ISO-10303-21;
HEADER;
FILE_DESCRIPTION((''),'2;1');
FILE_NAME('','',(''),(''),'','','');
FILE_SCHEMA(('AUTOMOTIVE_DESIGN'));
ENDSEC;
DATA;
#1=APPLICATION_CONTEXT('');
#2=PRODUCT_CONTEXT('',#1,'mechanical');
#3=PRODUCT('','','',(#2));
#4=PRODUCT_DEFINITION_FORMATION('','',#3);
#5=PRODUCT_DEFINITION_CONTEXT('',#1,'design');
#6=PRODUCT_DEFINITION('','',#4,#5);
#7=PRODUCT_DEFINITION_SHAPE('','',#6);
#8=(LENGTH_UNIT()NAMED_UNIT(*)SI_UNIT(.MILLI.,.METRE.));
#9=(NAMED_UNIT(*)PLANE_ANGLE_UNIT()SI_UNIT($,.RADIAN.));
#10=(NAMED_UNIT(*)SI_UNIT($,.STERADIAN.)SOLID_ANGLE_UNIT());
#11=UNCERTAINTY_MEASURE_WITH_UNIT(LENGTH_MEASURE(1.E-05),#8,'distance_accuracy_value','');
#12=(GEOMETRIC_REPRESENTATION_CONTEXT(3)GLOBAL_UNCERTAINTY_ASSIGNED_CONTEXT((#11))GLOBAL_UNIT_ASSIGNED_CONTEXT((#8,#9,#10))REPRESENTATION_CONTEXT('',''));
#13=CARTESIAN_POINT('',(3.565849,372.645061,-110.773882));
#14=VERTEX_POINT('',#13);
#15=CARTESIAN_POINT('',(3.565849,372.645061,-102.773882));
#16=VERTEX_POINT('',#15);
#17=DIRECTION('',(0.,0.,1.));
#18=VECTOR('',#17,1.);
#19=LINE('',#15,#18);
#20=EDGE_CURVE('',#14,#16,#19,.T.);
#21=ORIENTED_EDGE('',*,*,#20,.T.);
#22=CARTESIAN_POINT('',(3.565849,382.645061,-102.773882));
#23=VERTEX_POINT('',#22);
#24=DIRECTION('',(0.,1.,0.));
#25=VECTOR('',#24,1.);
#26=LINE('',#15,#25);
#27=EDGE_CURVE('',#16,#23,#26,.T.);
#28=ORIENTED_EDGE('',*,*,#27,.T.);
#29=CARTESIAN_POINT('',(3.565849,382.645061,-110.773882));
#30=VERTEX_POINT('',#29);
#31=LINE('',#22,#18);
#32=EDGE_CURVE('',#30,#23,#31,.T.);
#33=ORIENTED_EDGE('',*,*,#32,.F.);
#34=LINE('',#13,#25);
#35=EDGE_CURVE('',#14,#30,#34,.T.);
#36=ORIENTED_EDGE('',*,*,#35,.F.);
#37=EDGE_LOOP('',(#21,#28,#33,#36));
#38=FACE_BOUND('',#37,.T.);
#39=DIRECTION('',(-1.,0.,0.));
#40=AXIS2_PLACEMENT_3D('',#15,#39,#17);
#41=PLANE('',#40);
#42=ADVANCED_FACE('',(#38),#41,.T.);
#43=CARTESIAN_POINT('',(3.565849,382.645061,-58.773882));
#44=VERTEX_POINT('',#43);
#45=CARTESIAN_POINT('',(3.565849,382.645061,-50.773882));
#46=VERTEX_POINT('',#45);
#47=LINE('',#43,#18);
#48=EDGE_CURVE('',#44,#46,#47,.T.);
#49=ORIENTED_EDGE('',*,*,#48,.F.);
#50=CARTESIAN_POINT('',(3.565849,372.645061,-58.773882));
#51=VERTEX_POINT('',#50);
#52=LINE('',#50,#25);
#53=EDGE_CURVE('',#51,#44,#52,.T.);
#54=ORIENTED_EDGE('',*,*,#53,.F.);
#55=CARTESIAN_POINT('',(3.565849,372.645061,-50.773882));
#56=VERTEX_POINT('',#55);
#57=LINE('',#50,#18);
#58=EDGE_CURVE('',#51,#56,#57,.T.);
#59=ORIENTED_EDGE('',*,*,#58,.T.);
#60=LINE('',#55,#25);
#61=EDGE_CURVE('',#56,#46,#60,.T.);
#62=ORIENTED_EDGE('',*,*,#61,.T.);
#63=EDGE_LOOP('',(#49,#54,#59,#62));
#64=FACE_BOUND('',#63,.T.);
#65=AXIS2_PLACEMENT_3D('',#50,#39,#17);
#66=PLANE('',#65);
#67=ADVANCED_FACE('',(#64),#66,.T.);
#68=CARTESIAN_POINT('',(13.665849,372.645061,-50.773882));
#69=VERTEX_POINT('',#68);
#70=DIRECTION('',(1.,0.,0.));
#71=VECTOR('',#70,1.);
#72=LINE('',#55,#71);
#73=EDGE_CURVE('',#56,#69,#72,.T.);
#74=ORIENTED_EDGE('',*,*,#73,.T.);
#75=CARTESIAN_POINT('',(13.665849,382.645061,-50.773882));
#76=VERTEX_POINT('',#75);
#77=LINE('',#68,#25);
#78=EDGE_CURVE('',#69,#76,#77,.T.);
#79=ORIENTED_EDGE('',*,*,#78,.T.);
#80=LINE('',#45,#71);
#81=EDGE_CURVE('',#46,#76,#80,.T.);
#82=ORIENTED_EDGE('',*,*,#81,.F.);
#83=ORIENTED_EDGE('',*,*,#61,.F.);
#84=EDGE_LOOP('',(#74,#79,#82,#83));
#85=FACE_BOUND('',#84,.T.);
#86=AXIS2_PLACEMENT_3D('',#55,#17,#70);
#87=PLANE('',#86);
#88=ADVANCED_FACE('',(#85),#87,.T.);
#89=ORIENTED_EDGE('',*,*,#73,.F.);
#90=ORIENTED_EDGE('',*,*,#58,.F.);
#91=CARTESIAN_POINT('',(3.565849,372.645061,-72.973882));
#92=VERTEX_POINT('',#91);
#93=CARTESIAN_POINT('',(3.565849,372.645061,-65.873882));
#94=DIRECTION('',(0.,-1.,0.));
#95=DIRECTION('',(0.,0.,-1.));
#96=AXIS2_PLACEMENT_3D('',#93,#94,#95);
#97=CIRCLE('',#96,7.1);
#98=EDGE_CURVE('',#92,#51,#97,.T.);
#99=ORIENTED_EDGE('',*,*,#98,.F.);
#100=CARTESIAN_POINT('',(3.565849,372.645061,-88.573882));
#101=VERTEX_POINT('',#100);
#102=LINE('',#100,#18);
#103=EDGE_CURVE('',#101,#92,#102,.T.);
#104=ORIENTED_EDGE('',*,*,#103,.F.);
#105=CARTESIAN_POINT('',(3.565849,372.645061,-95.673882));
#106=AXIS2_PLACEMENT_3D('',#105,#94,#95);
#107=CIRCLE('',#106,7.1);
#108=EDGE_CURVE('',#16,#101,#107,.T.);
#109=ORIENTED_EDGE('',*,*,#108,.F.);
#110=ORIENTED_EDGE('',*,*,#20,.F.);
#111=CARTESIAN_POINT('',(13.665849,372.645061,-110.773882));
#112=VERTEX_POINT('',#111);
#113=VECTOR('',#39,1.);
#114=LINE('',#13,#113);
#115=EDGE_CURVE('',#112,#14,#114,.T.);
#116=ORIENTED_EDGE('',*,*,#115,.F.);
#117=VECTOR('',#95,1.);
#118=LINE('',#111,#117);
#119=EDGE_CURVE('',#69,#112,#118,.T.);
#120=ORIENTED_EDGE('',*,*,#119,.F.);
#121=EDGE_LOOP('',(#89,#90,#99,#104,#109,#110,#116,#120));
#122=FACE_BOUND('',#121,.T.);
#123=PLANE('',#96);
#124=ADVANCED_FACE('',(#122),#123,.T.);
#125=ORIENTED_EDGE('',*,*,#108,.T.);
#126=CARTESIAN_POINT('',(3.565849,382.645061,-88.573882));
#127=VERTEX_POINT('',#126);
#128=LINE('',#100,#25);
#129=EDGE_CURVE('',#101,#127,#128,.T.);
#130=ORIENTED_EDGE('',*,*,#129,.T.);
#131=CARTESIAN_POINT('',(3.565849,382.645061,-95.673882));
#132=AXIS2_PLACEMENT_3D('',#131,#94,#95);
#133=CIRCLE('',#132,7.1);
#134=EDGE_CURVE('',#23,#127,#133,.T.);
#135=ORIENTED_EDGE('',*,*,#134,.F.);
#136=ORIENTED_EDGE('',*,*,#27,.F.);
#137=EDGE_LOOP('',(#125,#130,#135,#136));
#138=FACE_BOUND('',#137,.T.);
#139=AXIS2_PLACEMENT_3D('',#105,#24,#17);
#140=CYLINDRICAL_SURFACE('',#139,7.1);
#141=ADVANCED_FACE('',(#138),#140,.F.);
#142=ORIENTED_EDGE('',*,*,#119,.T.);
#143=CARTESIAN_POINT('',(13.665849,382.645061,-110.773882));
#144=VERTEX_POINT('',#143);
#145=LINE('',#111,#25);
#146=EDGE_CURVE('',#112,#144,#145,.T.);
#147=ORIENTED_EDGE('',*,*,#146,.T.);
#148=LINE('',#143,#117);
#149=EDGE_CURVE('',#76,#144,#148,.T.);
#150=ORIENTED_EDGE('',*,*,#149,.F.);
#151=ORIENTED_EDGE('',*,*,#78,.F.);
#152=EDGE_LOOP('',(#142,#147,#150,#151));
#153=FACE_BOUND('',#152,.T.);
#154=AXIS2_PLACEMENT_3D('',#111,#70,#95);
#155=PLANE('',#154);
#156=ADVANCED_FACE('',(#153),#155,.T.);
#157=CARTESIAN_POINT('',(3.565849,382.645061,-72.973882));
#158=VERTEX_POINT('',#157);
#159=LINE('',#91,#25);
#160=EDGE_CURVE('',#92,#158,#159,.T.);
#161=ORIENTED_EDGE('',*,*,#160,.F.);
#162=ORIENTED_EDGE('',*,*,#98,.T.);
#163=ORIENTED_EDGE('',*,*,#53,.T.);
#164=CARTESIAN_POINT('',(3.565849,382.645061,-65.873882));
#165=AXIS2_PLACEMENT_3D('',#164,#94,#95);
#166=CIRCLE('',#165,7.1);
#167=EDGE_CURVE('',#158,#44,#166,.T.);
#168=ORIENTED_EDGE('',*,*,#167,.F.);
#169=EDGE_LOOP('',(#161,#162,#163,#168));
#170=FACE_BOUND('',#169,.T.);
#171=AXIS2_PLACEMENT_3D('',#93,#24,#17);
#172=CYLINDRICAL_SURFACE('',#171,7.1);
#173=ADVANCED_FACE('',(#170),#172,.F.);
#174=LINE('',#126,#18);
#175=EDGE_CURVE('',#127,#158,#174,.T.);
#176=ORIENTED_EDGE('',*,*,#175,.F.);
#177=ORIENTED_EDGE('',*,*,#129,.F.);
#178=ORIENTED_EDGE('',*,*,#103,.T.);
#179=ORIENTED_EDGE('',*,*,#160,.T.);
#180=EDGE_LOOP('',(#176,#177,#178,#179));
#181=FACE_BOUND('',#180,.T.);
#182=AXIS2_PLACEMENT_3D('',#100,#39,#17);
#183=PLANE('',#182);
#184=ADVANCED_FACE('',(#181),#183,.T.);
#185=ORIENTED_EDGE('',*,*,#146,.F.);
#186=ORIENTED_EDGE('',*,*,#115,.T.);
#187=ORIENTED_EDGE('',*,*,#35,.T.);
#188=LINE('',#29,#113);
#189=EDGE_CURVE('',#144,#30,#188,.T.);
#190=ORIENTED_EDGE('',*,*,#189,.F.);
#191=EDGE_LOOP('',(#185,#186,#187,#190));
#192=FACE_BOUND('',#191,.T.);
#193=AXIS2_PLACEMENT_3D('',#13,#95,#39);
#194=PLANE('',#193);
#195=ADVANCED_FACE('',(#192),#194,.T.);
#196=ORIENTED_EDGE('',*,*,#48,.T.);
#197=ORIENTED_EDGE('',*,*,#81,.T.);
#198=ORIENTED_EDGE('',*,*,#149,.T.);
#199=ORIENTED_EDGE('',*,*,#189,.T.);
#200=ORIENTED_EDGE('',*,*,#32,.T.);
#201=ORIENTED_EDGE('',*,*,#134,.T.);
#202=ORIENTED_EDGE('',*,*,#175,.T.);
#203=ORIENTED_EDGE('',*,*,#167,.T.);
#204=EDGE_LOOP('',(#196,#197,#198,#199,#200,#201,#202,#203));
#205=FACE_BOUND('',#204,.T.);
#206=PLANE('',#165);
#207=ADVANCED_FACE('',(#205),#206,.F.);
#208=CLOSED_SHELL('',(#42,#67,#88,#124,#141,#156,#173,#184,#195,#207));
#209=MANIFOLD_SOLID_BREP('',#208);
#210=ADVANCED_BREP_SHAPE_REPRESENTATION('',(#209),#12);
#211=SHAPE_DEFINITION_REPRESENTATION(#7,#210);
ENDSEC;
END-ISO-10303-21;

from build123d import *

# Parameters (mm, degrees)
EXTRUDE_1_DEPTH = 10


with BuildPart() as part:
    # Эскиз2 → Бобышка-Вытянуть1 (new body)
    with BuildSketch(Plane(origin=(0, 382.645061039, 0), x_dir=(1, 0, 0), z_dir=(0, 1, 0))):
        with BuildLine():
            Line((3.565848943, 102.773881836), (3.565848943, 110.773881836))
            Line((3.565848943, 110.773881836), (13.665848943, 110.773881836))
            Line((13.665848943, 110.773881836), (13.665848943, 50.773881836))
            Line((13.665848943, 50.773881836), (3.565848943, 50.773881836))
            Line((3.565848943, 50.773881836), (3.565848943, 58.773881836))
            ThreePointArc((3.565848943, 58.773881836), (10.665848943, 65.873881836), (3.565848943, 72.973881836))
            Line((3.565848943, 72.973881836), (3.565848943, 88.573881836))
            ThreePointArc((3.565848943, 88.573881836), (10.665848943, 95.673881836), (3.565848943, 102.773881836))
        make_face()
    extrude(amount=-EXTRUDE_1_DEPTH)


solid = part.part
